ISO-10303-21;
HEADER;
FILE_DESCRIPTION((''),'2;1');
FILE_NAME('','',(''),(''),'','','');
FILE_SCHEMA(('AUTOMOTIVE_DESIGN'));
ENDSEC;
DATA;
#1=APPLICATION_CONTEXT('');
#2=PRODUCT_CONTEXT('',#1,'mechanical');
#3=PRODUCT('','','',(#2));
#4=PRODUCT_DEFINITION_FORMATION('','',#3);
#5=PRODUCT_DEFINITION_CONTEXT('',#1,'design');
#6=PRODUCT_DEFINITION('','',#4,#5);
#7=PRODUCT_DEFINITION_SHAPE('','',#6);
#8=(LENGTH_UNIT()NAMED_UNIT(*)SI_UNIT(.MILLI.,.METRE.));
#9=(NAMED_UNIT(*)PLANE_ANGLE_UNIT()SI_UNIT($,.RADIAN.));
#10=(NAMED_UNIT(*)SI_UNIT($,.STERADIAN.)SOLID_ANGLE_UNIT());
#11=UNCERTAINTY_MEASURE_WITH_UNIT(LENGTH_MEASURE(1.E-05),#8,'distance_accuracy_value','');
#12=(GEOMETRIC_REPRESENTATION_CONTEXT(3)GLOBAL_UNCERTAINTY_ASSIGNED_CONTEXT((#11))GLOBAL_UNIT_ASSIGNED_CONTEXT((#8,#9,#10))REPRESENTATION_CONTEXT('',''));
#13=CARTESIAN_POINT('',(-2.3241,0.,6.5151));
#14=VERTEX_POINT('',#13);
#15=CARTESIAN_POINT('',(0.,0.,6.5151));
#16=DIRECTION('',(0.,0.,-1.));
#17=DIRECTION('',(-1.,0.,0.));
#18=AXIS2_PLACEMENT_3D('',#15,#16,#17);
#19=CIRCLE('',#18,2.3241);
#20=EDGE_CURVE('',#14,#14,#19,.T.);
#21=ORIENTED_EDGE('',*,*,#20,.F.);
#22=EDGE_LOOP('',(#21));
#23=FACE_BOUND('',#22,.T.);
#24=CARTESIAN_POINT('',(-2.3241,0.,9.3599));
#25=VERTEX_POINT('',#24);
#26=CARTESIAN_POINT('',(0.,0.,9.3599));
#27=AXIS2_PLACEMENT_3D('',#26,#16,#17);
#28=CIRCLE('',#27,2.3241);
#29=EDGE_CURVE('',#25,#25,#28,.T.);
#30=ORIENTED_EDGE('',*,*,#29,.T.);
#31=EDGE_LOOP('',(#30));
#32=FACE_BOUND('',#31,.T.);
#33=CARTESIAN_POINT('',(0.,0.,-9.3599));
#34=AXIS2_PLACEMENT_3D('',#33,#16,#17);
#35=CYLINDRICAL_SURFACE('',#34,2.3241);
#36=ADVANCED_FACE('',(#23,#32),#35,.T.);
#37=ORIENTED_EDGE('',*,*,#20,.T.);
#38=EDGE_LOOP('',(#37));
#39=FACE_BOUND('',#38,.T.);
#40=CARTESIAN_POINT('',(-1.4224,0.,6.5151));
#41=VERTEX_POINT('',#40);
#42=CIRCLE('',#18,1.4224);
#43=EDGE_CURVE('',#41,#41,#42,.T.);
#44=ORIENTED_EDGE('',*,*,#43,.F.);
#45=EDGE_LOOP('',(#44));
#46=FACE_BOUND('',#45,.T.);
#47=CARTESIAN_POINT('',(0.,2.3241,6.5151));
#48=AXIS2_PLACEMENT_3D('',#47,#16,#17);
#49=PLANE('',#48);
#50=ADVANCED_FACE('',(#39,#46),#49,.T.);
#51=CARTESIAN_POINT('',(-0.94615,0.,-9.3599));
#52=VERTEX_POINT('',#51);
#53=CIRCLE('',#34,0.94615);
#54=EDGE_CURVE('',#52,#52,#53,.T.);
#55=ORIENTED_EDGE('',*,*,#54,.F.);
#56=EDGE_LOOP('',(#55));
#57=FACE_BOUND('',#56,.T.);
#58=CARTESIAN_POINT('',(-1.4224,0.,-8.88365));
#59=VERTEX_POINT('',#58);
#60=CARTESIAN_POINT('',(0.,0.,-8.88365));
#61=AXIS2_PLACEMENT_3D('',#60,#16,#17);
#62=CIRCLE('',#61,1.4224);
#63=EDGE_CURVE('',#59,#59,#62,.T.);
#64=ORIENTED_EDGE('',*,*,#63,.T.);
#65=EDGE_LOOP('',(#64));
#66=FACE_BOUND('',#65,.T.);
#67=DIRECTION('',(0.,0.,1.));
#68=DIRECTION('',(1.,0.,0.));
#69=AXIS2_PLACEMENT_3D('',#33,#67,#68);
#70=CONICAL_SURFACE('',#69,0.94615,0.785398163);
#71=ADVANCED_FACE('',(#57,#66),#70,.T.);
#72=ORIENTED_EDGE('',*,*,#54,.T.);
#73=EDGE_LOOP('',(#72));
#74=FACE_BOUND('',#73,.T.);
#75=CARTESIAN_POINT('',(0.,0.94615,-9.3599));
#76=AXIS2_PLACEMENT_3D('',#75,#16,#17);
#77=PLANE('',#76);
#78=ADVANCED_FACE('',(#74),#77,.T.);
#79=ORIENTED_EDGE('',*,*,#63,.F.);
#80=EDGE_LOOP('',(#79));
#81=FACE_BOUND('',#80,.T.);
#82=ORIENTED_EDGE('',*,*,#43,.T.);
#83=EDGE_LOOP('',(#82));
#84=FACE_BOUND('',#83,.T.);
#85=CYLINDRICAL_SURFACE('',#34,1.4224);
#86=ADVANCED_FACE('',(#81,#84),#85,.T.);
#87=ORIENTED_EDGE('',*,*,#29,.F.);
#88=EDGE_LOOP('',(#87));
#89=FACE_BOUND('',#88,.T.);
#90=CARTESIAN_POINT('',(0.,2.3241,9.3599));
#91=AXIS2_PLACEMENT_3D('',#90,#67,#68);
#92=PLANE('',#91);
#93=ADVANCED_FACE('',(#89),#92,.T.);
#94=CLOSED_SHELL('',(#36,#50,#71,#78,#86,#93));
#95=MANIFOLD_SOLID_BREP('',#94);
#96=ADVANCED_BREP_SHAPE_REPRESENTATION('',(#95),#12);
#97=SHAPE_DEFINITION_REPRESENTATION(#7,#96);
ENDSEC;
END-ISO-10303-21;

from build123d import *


with BuildPart() as part:
    # Sketch2 → Revolve1 (revolve)
    with BuildSketch(Plane(origin=(0, 0, 0), x_dir=(0, 0, -1), z_dir=(1, 0, 0))):
        Polygon((9.3599, 0.94615), (8.88365, 1.4224), (-6.5151, 1.4224), (-6.5151, 2.3241), (-9.3599, 2.3241), (-9.3599, 0), (9.3599, 0), align=None)
    revolve(axis=Axis((0, 0, -9.3599), (0, 0, 1)))


solid = part.part
